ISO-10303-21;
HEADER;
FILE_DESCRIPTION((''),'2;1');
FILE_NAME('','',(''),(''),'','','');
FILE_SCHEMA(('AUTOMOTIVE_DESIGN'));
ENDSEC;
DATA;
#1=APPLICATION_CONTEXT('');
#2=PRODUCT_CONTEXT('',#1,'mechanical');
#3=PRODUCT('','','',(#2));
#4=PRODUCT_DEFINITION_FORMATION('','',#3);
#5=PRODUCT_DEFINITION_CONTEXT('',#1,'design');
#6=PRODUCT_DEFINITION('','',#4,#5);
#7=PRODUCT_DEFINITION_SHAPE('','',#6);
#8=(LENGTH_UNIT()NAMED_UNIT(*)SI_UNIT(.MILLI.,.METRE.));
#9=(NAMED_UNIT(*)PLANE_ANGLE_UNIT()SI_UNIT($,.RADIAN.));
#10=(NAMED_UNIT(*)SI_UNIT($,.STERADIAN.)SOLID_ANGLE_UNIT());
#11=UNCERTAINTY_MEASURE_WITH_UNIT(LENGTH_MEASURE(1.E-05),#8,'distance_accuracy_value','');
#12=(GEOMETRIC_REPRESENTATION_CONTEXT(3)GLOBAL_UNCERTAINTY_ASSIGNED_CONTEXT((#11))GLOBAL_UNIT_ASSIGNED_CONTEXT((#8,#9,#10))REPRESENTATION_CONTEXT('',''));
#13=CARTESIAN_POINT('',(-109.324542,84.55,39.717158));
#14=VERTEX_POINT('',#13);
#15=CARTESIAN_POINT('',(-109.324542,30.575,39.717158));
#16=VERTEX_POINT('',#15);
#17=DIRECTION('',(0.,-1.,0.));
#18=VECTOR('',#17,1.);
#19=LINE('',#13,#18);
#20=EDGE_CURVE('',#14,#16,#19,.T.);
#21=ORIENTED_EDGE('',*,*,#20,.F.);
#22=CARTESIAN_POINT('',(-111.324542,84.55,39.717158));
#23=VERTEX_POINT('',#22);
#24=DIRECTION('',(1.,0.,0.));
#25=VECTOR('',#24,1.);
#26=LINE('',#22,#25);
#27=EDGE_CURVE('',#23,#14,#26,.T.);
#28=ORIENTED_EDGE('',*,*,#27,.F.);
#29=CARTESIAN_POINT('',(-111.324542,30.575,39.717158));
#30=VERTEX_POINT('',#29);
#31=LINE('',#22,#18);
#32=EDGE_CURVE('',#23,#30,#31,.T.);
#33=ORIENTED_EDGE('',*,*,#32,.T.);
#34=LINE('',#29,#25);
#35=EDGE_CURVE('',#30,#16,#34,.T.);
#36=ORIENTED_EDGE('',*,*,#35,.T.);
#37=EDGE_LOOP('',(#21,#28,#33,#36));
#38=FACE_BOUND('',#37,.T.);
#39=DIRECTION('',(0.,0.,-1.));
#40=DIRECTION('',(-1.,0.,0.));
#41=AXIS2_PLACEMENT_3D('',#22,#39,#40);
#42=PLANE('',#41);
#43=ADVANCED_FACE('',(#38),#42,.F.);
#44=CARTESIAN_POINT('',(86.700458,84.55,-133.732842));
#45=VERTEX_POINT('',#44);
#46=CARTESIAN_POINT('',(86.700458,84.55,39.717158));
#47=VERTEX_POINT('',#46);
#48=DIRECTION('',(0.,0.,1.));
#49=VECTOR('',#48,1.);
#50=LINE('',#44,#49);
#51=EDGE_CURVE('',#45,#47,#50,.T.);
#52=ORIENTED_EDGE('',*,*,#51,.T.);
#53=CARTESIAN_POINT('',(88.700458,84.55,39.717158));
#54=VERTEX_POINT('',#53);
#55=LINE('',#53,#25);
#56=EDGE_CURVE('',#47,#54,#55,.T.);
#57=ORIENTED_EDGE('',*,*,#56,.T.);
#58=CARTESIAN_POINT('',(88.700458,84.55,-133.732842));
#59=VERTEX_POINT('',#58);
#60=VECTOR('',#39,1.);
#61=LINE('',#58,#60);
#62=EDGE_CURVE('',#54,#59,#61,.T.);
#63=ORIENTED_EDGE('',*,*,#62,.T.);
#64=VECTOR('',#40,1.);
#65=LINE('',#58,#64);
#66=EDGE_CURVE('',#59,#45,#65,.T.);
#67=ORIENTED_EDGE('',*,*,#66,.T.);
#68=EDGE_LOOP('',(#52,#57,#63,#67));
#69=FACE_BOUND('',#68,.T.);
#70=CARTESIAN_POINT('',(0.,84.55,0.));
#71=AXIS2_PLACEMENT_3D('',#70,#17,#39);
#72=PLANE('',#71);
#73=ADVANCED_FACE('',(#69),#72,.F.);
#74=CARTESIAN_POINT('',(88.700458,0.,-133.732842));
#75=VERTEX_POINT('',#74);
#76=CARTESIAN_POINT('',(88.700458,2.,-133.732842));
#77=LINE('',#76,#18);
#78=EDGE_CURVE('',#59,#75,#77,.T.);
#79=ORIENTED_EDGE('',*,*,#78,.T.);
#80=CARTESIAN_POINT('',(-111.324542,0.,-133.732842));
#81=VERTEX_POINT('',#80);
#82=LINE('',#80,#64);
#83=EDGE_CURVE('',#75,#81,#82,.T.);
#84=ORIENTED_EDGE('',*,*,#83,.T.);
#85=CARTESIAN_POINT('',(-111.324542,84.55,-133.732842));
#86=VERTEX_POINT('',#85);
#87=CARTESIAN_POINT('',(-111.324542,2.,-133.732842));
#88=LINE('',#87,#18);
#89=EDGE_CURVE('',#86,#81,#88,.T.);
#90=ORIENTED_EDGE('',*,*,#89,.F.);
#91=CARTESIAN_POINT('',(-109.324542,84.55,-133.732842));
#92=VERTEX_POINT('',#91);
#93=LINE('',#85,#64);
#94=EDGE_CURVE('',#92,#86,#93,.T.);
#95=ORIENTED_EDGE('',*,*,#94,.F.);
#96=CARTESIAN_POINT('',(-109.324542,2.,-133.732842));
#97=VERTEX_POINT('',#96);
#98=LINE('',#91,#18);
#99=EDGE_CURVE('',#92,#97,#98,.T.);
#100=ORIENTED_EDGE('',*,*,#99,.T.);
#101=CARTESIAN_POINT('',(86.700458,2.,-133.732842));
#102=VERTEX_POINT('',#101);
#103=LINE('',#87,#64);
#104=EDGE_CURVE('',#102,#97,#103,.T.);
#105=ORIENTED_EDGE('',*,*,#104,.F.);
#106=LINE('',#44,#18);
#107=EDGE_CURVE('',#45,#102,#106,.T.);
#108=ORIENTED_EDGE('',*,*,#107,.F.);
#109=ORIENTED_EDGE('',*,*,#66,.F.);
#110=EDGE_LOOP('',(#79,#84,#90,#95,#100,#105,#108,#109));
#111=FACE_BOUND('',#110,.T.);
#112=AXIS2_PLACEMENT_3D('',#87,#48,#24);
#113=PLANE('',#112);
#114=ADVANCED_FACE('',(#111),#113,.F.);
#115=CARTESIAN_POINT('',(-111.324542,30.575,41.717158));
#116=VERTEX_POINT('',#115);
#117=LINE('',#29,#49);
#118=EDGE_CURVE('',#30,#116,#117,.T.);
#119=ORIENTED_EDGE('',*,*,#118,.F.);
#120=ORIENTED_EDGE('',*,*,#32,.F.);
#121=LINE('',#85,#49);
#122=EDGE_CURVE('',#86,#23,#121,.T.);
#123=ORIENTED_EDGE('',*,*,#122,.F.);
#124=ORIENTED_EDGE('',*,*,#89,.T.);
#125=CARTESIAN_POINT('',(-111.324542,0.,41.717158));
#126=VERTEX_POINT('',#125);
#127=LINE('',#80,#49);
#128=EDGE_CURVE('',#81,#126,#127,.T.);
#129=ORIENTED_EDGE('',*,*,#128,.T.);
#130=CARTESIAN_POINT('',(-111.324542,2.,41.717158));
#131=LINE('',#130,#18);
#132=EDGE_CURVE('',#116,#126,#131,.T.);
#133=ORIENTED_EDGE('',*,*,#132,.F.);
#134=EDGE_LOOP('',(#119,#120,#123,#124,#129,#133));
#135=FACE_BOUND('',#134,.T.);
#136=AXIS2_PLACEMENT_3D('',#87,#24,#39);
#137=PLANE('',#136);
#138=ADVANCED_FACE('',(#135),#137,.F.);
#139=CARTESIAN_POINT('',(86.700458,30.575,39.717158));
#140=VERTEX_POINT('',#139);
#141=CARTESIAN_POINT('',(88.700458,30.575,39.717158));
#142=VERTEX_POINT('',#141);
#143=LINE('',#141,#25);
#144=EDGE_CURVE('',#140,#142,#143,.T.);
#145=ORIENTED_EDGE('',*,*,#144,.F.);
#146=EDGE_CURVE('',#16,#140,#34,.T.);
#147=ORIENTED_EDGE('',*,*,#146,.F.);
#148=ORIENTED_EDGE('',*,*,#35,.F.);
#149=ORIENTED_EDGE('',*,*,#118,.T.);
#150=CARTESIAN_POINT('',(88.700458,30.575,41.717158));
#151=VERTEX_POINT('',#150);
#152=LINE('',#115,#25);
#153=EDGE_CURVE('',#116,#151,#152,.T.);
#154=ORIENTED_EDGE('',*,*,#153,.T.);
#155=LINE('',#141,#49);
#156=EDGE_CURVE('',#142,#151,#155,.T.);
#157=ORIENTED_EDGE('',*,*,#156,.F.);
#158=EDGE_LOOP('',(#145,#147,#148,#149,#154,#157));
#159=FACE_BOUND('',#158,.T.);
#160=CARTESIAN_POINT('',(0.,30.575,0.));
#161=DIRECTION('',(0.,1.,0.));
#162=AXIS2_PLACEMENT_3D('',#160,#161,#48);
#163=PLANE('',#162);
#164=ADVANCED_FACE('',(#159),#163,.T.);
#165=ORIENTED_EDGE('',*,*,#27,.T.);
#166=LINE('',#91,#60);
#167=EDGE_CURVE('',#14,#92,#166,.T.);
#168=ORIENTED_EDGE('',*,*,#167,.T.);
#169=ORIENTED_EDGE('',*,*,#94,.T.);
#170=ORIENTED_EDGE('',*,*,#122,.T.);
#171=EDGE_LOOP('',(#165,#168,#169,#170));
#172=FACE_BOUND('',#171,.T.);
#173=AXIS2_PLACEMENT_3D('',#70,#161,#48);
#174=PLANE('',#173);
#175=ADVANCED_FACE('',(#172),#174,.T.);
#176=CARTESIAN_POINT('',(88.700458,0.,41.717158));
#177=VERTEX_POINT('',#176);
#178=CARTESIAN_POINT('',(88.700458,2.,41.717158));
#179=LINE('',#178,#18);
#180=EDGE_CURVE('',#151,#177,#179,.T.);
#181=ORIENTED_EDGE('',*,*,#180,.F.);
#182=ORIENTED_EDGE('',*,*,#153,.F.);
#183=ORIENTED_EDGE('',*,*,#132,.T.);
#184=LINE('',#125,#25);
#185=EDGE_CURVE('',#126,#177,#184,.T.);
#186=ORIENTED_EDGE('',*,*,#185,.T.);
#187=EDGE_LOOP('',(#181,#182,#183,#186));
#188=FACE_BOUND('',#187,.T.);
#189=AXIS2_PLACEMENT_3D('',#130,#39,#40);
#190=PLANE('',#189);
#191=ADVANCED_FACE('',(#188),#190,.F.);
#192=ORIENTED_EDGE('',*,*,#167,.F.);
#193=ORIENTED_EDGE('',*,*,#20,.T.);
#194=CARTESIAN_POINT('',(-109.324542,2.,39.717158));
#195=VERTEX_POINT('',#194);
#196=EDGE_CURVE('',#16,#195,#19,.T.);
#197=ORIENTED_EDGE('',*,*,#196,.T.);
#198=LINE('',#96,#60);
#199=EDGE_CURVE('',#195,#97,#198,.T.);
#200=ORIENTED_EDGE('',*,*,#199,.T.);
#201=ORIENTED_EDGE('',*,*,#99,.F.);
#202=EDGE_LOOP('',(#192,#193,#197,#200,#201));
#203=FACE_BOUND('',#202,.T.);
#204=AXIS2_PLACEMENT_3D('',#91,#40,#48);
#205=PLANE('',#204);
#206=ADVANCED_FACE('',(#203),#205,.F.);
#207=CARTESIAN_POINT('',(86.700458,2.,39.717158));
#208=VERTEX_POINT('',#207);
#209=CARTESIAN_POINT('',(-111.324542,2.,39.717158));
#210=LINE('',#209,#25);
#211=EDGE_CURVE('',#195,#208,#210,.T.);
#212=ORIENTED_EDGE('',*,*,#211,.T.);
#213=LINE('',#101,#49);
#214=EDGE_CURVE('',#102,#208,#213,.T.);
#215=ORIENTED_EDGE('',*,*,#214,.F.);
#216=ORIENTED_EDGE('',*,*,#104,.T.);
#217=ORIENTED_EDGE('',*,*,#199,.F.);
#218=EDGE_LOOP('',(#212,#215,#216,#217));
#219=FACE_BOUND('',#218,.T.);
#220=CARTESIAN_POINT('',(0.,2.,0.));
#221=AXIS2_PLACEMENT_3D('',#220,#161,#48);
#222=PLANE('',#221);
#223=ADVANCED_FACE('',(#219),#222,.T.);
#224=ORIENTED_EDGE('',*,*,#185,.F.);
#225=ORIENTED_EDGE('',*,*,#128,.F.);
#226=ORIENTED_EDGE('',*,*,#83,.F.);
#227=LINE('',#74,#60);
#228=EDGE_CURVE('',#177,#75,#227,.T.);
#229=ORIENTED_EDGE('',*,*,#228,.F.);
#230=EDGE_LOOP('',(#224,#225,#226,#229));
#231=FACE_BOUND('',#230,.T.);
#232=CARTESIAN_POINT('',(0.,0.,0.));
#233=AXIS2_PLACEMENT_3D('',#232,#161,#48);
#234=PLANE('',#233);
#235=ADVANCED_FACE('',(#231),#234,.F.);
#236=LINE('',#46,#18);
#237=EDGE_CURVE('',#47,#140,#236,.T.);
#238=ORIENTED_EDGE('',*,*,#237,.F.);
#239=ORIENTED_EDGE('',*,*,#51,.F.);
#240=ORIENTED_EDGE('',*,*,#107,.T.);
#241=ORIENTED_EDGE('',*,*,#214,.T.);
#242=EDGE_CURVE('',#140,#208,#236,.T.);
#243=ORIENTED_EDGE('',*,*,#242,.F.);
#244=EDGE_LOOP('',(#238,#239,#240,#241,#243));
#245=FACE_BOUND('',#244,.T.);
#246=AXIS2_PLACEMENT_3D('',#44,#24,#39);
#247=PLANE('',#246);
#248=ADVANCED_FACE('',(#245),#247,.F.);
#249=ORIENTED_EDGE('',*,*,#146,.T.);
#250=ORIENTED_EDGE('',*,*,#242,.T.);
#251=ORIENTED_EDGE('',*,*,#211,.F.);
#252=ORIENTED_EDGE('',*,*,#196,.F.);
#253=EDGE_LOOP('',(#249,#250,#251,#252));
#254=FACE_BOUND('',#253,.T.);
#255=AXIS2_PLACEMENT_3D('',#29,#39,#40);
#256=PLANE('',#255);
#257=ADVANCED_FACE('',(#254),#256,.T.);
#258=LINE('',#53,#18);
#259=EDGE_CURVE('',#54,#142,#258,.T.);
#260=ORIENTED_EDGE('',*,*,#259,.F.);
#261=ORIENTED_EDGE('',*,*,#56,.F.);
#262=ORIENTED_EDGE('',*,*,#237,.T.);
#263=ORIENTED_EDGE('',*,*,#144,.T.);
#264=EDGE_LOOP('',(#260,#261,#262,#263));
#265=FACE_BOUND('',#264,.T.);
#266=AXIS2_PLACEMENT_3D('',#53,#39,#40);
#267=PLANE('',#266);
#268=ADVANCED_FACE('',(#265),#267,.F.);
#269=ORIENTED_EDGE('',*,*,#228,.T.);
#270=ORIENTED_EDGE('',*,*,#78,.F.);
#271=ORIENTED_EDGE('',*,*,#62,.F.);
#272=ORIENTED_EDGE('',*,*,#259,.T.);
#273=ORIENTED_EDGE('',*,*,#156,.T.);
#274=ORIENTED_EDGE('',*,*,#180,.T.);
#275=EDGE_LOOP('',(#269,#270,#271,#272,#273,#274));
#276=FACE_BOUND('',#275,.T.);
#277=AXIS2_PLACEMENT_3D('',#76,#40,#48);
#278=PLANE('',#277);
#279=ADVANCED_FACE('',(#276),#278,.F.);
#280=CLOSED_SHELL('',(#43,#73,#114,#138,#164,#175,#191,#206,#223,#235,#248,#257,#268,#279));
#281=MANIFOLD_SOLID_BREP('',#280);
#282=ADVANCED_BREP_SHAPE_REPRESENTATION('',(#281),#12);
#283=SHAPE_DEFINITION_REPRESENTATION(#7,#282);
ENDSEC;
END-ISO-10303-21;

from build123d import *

# Parameters (mm, degrees)
SKETCH2_W           = 200.025
SKETCH2_H           = 175.45
BOSS_EXTRUDE1_DEPTH = 2
SKETCH3_W           = 2
SKETCH3_H           = 173.45
BOSS_EXTRUDE2_DEPTH = 82.55
SKETCH4_W           = 200.025
SKETCH4_H           = 2
BOSS_EXTRUDE4_DEPTH = 28.575


with BuildPart() as part:
    # Sketch2 → Boss-Extrude1 (new body)
    with BuildSketch(Plane(origin=(0, 0, 0), x_dir=(1, 0, 0), z_dir=(0, 1, 0))):
        with Locations((-11.312041544, 46.007841651)):
            Rectangle(SKETCH2_W, SKETCH2_H)
    extrude(amount=BOSS_EXTRUDE1_DEPTH)

    # Sketch3 → Boss-Extrude2 (add)
    with BuildSketch(Plane(origin=(0, 2, 0), x_dir=(1, 0, 0), z_dir=(0, 1, 0))):
        with Locations((-110.324541544, 47.007841651)):
            Rectangle(SKETCH3_W, SKETCH3_H)
        with Locations((87.700458456, 47.007841651)):
            Rectangle(SKETCH3_W, SKETCH3_H)
    extrude(amount=BOSS_EXTRUDE2_DEPTH)

    # Sketch4 → Boss-Extrude4 (add)
    with BuildSketch(Plane(origin=(0, 2, 0), x_dir=(1, 0, 0), z_dir=(0, 1, 0))):
        with Locations((-11.312041544, -40.717158349)):
            Rectangle(SKETCH4_W, SKETCH4_H)
    extrude(amount=BOSS_EXTRUDE4_DEPTH)


solid = part.part
